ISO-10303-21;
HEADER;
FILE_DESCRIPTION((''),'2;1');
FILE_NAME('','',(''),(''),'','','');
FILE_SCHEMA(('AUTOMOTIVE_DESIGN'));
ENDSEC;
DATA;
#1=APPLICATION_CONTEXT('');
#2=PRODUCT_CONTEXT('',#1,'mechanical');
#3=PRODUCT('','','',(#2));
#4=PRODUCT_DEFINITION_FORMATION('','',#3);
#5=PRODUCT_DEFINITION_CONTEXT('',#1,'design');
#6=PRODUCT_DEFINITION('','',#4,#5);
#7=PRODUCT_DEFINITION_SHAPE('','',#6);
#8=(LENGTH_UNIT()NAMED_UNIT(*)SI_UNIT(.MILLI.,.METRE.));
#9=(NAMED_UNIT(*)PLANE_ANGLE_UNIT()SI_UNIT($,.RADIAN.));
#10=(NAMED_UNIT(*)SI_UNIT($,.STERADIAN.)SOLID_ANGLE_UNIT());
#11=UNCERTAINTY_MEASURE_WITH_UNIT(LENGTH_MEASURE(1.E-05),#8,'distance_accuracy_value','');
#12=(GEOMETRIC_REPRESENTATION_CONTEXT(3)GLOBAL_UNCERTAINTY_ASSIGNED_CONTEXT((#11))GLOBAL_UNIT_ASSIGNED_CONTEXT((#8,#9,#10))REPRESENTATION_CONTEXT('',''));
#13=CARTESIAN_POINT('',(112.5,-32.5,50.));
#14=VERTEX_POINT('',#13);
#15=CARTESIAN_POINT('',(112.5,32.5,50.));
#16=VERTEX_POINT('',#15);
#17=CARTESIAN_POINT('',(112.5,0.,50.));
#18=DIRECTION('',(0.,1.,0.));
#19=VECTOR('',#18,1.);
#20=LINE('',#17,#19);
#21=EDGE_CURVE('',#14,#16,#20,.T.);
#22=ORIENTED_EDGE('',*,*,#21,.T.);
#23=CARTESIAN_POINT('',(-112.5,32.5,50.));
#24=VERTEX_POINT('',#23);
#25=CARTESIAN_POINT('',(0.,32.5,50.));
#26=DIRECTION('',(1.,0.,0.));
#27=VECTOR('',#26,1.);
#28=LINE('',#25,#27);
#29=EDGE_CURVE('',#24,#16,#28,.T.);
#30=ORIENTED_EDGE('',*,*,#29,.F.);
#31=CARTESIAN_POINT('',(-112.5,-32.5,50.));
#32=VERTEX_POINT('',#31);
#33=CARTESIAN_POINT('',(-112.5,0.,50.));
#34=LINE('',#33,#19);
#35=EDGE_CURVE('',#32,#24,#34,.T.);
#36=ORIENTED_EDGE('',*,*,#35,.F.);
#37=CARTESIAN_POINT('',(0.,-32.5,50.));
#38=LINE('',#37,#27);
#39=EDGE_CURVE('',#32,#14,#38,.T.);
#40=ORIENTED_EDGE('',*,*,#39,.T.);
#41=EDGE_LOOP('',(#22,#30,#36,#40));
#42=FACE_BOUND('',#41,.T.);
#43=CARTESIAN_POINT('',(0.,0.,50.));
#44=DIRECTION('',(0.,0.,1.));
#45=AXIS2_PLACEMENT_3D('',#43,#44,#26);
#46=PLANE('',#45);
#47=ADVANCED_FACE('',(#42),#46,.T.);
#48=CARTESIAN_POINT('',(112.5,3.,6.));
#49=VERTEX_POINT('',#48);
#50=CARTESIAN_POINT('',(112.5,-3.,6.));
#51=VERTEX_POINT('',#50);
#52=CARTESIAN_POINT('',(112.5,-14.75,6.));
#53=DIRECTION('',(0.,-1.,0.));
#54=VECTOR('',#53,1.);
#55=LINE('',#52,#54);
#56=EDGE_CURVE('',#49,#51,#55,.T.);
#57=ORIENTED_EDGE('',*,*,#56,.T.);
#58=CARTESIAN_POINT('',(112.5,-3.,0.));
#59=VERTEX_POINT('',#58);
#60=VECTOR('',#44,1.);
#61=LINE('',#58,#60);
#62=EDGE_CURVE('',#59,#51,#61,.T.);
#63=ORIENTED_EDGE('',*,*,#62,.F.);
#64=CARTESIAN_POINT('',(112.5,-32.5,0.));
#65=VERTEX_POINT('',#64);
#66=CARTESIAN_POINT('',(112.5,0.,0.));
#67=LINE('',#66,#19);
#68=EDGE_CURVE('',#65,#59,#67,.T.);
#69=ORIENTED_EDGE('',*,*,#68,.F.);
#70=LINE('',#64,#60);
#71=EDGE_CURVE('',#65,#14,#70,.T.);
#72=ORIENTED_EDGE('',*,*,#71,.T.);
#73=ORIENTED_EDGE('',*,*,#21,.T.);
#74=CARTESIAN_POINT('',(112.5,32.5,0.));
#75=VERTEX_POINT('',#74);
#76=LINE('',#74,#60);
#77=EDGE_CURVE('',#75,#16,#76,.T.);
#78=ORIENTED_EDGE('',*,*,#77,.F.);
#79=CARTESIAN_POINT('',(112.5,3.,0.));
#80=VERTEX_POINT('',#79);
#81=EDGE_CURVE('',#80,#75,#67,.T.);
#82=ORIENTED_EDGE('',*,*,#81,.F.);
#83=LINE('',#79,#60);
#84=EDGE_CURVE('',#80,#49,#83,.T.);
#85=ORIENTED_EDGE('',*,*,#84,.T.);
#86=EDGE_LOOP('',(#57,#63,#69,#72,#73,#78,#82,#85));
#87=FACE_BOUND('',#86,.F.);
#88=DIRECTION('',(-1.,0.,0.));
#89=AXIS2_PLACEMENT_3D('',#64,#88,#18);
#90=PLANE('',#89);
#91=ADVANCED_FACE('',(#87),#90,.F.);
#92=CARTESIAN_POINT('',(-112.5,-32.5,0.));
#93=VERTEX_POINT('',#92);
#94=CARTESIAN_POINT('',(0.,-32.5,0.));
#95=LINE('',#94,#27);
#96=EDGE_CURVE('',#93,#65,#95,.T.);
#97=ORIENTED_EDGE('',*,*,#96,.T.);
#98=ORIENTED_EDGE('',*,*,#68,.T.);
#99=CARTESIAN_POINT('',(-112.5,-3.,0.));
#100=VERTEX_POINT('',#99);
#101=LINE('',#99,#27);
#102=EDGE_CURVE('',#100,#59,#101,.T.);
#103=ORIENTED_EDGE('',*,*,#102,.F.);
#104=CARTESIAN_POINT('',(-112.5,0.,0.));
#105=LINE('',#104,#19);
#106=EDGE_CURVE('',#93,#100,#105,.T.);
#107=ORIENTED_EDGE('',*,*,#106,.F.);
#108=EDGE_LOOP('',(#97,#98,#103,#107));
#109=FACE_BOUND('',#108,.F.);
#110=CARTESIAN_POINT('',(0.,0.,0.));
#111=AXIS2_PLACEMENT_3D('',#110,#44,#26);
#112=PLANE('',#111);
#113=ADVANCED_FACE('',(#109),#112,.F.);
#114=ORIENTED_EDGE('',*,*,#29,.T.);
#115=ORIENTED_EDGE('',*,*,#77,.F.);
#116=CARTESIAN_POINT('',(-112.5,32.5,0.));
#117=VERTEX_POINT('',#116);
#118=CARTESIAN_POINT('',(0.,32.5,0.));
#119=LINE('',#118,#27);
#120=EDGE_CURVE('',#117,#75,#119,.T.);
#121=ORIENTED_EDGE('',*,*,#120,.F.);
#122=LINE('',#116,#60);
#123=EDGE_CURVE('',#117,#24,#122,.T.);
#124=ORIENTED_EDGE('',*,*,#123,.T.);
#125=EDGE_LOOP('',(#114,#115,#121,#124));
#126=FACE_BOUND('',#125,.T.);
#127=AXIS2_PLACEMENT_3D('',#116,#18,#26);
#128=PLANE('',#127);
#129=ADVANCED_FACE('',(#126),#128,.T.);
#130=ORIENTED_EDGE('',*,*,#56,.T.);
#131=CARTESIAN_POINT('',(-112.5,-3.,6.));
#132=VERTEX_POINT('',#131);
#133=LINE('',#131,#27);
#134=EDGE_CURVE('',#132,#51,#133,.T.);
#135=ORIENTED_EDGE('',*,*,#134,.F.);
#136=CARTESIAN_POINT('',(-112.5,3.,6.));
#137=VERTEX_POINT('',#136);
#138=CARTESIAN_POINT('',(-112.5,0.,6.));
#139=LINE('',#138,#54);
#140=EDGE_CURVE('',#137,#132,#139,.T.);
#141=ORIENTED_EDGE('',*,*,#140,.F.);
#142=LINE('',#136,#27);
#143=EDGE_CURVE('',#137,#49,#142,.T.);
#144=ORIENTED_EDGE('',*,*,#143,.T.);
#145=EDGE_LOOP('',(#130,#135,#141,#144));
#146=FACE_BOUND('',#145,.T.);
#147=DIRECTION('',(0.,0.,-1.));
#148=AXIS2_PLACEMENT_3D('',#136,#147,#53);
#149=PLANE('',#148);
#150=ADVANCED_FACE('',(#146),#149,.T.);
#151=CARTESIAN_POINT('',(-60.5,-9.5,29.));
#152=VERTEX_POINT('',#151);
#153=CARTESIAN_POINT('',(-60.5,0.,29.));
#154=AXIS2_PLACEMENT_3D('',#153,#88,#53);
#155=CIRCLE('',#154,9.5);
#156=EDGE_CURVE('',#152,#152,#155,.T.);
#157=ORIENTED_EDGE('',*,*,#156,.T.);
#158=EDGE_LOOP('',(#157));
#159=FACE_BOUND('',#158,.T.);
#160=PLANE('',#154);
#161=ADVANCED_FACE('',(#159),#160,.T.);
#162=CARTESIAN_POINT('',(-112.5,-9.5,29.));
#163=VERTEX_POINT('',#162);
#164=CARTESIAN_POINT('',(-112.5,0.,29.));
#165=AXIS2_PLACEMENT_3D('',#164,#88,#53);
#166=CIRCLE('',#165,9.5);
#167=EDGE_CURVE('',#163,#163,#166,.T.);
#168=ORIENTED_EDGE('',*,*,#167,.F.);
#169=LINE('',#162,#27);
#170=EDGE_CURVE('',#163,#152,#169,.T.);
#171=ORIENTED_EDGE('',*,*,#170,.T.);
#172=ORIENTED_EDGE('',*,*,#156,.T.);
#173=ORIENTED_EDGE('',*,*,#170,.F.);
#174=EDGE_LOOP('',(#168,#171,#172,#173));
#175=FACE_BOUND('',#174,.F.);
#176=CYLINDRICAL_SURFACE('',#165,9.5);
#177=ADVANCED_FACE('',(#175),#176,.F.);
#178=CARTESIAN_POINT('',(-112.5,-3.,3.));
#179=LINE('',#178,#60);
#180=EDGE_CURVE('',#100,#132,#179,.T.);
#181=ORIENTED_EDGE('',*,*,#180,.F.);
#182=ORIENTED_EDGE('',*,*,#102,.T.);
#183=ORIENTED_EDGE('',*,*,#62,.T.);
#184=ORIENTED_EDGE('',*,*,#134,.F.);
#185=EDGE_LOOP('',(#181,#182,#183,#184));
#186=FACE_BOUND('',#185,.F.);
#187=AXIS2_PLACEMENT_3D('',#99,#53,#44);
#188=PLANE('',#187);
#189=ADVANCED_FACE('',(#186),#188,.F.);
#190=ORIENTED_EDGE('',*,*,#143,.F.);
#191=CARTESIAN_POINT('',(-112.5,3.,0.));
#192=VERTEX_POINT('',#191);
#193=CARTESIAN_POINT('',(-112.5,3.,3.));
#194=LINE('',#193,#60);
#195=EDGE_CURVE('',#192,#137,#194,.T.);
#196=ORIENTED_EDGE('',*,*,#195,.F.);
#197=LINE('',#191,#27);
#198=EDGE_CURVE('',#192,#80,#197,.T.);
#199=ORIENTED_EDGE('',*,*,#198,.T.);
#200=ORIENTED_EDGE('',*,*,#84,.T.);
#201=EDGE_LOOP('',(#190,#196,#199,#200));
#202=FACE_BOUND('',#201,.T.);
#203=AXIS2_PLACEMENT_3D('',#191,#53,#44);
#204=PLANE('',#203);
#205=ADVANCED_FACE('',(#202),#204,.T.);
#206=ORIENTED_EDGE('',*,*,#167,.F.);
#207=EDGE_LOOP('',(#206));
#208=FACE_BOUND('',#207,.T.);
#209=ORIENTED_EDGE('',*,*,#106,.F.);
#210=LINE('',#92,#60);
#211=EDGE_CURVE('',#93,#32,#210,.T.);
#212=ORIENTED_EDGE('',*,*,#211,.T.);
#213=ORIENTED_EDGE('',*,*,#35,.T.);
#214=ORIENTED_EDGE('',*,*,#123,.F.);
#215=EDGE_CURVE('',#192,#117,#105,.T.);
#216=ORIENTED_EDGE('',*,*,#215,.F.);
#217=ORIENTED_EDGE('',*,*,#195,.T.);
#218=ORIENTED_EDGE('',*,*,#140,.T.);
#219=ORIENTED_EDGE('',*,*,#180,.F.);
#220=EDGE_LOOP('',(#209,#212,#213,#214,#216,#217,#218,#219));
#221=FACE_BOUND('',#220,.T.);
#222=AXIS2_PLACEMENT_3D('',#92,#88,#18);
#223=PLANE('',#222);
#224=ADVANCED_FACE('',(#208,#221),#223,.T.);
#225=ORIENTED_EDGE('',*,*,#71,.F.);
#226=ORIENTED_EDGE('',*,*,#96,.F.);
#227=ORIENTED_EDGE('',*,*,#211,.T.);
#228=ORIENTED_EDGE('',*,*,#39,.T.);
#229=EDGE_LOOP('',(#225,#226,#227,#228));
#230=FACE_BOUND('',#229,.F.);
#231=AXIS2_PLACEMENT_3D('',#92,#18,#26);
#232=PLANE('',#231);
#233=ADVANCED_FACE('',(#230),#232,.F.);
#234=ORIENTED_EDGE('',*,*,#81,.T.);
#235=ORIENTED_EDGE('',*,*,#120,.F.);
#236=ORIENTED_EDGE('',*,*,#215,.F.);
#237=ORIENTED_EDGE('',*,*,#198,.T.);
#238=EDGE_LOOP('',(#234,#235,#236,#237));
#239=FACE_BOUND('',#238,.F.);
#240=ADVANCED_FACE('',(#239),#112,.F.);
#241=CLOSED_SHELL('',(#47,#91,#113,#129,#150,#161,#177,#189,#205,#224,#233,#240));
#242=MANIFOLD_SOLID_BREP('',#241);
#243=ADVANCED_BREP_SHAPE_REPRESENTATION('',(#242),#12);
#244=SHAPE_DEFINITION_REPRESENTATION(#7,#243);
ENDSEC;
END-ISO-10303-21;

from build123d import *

# Parameters (mm, degrees)
F0_W     = 225
F0_H     = 65
F1_DEPTH = 50
F2_R     = 9.5
F3_DEPTH = 52
F4_W     = 6
F4_H     = 6
F5_DEPTH = 325


with BuildPart() as f1:
    # F0 (on Top) → F1 (new body)
    with BuildSketch(Plane.XY):
        Rectangle(F0_W, F0_H)
    extrude(amount=F1_DEPTH)

    # F2 (on face) → F3 (cut)
    with BuildSketch(Plane(origin=(-112.5, 0, 0), x_dir=(0, -1, 0), z_dir=(-1, 0, 0))):
        with Locations((0, 29)):
            Circle(F2_R)
    extrude(amount=-F3_DEPTH, mode=Mode.SUBTRACT)

    # F4 (on face) → F5 (cut)
    with BuildSketch(Plane(origin=(-112.5, 0, 0), x_dir=(0, -1, 0), z_dir=(-1, 0, 0))):
        with Locations((0, 3)):
            Rectangle(F4_W, F4_H)
    extrude(amount=-F5_DEPTH, mode=Mode.SUBTRACT)


solid = f1.part
